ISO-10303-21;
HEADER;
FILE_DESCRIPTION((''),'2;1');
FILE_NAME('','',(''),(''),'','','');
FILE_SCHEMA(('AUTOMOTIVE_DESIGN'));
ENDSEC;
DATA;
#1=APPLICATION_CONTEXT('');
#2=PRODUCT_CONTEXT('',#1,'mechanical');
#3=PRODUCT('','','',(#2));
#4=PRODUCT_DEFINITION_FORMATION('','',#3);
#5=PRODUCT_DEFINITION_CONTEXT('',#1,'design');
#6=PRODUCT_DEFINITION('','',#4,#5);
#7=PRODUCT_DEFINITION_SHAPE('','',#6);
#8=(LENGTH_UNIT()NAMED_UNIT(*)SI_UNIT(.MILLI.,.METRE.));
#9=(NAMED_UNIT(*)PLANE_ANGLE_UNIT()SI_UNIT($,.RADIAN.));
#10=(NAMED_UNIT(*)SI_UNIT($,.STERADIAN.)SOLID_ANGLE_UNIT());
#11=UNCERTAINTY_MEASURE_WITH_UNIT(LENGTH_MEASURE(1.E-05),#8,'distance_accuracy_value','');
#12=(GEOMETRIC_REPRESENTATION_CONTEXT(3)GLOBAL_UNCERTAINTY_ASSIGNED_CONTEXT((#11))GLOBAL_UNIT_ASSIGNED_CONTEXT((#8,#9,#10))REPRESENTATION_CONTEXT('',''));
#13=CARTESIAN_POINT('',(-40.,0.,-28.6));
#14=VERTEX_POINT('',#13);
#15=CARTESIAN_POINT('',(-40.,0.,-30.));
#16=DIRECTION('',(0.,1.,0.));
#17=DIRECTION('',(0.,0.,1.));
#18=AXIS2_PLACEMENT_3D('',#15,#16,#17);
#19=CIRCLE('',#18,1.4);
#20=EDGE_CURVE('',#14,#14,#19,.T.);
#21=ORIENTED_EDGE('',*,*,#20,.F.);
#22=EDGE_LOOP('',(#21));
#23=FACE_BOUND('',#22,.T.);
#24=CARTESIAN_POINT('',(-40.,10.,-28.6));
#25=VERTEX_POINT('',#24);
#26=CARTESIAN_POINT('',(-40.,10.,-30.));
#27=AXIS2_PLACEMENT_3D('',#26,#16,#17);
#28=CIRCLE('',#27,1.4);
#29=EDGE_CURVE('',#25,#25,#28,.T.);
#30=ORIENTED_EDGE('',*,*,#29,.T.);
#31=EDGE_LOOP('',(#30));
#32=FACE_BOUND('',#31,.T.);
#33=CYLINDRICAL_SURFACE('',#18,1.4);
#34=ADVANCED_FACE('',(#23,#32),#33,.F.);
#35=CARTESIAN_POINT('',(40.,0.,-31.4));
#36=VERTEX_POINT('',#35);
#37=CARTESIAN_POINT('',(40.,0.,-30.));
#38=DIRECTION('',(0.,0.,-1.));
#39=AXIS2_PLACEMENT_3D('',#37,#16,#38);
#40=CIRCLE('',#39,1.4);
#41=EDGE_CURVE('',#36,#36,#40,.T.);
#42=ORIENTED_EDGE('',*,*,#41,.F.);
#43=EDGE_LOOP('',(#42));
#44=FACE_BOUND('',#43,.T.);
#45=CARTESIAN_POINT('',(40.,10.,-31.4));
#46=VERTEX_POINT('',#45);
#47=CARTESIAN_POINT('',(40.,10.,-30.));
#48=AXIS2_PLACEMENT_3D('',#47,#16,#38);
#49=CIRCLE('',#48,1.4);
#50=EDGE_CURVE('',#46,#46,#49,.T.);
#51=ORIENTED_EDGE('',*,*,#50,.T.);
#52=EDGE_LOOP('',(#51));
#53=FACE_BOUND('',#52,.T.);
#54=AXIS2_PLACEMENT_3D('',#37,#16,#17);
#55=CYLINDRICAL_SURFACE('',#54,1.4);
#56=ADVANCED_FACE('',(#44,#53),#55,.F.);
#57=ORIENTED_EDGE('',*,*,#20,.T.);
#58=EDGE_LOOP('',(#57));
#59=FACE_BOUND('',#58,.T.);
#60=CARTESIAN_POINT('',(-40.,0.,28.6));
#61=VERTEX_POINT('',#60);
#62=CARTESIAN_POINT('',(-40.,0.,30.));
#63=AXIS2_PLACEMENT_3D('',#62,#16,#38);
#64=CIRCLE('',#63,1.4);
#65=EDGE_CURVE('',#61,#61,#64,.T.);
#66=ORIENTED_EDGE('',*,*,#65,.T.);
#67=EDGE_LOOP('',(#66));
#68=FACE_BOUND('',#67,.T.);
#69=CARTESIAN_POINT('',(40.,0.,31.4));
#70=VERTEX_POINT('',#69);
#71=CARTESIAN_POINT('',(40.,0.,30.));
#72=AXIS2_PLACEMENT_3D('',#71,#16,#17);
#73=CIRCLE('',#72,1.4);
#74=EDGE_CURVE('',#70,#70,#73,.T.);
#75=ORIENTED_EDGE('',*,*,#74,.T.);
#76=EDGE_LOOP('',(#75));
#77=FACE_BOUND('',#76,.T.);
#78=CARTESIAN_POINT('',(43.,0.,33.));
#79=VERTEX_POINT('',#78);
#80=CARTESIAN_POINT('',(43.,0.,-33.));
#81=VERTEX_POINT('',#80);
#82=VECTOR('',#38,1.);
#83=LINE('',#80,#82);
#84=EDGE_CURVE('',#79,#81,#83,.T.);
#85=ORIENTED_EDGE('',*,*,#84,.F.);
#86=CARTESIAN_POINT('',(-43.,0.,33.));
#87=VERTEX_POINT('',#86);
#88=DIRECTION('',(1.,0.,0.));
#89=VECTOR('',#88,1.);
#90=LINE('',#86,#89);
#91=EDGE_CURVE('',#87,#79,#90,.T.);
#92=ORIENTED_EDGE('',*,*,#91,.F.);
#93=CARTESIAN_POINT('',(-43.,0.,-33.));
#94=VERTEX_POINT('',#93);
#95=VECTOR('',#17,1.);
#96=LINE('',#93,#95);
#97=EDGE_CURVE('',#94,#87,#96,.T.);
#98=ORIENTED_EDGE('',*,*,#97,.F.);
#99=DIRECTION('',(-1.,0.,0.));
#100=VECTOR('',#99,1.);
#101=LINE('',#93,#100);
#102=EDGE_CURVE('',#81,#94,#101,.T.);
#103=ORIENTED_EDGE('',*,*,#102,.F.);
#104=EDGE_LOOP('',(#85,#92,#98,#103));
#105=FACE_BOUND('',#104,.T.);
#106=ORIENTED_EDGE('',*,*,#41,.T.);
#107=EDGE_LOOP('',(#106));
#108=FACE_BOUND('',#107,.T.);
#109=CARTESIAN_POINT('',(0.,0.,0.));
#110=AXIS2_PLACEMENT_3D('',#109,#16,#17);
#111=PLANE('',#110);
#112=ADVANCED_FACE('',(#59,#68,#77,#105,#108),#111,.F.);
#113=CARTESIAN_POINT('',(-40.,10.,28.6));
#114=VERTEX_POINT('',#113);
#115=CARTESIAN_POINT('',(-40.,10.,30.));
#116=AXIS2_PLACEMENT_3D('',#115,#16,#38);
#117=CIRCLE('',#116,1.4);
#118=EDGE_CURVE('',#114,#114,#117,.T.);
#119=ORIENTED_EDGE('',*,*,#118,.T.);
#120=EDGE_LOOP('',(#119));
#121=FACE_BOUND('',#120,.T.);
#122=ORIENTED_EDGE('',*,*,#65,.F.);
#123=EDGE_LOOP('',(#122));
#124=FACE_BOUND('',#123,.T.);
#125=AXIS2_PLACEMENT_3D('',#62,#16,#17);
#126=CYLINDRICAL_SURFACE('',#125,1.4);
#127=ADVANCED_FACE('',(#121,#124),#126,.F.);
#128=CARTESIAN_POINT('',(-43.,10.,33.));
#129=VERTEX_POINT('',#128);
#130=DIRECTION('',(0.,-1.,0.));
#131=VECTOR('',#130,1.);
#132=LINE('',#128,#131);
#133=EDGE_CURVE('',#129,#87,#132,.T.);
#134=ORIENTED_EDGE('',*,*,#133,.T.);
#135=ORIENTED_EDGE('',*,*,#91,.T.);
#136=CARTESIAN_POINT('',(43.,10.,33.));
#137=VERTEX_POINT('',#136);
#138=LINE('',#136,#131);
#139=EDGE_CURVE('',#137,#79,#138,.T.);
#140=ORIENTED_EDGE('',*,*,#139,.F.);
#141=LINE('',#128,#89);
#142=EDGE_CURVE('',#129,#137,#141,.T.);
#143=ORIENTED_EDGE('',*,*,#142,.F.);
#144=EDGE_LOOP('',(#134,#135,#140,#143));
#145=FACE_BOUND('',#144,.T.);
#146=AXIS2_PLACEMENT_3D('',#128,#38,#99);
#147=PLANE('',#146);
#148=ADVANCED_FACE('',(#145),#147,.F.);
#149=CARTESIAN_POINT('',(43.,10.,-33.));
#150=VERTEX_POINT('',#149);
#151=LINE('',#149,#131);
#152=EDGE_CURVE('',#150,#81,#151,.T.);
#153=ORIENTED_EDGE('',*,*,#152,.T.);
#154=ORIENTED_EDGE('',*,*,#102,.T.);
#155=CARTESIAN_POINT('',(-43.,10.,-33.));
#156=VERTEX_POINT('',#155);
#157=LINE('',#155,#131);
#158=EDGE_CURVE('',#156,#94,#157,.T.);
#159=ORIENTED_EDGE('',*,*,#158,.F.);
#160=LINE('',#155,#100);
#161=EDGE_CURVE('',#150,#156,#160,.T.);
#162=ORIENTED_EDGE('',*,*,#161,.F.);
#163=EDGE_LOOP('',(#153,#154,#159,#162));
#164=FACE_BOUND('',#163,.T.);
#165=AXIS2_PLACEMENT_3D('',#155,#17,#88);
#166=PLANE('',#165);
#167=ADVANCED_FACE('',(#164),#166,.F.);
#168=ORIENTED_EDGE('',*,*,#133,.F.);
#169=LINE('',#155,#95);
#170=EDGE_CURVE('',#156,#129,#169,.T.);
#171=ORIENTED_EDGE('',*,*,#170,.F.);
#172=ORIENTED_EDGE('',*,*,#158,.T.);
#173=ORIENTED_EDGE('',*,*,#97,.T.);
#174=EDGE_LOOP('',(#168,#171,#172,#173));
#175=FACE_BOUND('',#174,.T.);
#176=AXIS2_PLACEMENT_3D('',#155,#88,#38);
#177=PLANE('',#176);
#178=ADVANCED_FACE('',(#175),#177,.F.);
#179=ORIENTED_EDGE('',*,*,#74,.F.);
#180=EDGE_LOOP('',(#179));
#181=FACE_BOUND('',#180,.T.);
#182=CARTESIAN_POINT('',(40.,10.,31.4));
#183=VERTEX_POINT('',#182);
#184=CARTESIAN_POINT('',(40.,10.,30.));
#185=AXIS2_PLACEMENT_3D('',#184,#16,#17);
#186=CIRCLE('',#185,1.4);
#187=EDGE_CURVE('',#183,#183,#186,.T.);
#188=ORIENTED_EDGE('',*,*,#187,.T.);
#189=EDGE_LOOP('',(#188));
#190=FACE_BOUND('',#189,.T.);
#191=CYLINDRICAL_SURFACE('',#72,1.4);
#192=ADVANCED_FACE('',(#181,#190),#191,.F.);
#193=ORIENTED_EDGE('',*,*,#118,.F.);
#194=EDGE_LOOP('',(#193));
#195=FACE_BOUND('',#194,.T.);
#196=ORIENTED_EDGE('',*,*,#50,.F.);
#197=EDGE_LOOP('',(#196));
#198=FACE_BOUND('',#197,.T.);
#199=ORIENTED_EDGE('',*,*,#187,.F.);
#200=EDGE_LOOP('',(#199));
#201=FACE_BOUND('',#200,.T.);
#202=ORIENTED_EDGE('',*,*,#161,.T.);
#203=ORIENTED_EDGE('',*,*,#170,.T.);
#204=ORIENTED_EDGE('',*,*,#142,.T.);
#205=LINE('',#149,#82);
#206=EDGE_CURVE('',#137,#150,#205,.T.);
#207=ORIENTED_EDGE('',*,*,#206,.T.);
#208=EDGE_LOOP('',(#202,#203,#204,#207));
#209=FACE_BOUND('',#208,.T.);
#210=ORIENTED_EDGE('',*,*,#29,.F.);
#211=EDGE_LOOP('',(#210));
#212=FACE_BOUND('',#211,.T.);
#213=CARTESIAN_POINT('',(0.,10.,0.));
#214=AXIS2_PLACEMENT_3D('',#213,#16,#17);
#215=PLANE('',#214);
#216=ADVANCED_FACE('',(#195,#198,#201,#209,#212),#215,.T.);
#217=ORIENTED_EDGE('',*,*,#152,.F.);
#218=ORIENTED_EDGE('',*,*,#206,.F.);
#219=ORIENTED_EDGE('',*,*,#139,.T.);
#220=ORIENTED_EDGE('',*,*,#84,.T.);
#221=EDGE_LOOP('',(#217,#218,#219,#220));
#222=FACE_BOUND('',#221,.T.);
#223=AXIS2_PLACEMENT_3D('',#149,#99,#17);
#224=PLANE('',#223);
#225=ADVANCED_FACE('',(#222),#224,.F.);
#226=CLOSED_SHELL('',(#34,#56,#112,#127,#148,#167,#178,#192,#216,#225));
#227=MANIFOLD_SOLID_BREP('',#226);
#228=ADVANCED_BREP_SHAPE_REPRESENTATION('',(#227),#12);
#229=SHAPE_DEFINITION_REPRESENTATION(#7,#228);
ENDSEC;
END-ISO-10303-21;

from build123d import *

# Parameters (mm, degrees)
SKETCH_1_W          = 86
SKETCH_1_H          = 66
EXTRUDE_1_DEPTH     = 10
SKETCH_2_R          = 1.4
CUT_EXTRUDE_1_DEPTH = 56.118055118


with BuildPart() as part:
    # 草图1 → 凸台-拉伸1 (new body)
    with BuildSketch(Plane(origin=(0, 0, 0), x_dir=(1, 0, 0), z_dir=(0, 1, 0))):
        Rectangle(SKETCH_1_W, SKETCH_1_H)
    extrude(amount=EXTRUDE_1_DEPTH)

    # 草图2 → 切除-拉伸1 (cut, through all)
    with BuildSketch(Plane(origin=(0, 10, 0), x_dir=(1, 0, 0), z_dir=(0, 1, 0))):
        with Locations(Location((-40, 30, 0), (0, 0, 270))):
            Circle(SKETCH_2_R)
        with Locations(Location((40, 30, 0), (0, 0, 90))):
            Circle(SKETCH_2_R)
        with Locations(Location((40, -30, 0), (0, 0, 270))):
            Circle(SKETCH_2_R)
        with Locations(Location((-40, -30, 0), (0, 0, 90))):
            Circle(SKETCH_2_R)
    extrude(amount=-CUT_EXTRUDE_1_DEPTH, mode=Mode.SUBTRACT)


solid = part.part
